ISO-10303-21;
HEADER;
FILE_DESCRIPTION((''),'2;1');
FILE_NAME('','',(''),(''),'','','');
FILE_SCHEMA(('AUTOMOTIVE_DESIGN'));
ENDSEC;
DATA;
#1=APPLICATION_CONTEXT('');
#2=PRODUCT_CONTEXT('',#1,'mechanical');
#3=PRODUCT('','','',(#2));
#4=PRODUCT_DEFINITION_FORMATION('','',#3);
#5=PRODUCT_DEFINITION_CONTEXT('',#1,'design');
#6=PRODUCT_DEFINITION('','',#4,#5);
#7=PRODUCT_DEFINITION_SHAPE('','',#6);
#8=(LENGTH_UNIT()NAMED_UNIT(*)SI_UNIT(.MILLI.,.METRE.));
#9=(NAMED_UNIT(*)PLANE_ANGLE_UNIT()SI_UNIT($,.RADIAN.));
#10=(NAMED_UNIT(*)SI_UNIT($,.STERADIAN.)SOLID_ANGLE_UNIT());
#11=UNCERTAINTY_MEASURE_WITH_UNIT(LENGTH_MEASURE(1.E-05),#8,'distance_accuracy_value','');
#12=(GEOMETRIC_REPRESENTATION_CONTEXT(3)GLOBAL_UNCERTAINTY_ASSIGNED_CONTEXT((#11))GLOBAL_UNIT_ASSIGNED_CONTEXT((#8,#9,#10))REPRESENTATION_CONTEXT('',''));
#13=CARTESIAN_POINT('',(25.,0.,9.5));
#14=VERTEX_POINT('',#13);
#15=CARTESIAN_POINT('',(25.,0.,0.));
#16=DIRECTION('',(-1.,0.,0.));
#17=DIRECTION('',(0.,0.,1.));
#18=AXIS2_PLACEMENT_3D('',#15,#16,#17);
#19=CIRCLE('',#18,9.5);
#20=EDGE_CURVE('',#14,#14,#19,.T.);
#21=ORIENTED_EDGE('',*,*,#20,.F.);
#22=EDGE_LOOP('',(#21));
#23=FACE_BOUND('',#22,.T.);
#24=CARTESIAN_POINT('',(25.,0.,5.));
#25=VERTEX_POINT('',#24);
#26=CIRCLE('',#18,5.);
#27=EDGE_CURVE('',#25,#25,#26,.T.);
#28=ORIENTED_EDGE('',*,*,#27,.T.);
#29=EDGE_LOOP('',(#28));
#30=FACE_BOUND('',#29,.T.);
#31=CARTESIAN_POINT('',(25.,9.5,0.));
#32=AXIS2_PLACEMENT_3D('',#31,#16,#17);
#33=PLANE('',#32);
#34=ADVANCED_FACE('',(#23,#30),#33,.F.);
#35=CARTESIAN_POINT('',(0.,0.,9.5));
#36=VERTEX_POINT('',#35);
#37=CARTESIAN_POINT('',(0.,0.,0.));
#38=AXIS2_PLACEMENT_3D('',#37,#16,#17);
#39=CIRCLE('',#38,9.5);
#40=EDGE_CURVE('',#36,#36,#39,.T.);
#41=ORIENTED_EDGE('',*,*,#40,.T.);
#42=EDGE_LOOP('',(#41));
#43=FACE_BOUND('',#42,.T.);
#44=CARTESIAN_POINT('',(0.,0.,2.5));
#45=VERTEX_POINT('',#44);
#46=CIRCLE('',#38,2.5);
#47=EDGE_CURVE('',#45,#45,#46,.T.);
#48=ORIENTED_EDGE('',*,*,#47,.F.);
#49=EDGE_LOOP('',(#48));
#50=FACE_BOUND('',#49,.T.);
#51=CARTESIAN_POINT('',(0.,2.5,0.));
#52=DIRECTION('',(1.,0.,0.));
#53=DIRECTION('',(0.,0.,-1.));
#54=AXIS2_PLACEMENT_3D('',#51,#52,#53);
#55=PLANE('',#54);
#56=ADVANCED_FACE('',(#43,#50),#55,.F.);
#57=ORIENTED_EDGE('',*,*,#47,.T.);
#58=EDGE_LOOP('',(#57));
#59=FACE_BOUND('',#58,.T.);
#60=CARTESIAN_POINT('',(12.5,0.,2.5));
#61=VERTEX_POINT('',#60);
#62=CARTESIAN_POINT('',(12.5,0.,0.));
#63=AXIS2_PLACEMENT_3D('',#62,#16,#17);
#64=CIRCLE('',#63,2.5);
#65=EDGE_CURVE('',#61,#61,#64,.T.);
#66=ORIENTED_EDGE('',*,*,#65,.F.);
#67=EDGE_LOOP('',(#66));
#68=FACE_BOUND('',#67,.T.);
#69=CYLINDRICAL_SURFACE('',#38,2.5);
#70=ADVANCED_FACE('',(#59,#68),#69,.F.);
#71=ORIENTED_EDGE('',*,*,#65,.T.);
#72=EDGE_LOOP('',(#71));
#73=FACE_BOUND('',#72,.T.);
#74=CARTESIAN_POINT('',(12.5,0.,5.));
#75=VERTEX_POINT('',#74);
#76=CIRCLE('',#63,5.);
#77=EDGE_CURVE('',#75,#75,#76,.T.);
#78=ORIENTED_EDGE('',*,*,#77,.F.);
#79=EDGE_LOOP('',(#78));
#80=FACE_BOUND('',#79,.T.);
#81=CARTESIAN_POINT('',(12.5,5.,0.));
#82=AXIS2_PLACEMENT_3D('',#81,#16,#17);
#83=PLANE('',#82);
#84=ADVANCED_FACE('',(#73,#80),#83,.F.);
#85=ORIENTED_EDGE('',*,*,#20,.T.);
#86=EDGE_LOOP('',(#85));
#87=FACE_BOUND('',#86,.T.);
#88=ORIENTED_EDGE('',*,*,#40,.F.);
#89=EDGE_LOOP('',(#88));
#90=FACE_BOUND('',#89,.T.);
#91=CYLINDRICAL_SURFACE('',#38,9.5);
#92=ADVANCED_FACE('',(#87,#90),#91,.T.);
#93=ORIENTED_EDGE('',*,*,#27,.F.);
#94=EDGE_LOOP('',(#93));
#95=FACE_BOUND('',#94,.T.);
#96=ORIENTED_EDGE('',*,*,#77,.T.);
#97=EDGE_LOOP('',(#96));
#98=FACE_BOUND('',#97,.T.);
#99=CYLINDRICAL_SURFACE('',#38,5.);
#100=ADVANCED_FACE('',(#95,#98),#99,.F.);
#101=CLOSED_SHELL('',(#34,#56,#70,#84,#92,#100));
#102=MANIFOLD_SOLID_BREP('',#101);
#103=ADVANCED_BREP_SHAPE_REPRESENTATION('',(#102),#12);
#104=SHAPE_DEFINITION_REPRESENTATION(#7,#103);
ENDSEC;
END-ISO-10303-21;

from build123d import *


with BuildPart() as part:
    # Skizze2 → Rotation1 (revolve)
    with BuildSketch(Plane.XY):
        Polygon((0, 2.5), (0, 9.5), (25, 9.5), (25, 5), (12.5, 5), (12.5, 2.5), align=None)
    revolve(axis=Axis((0, 0, 0), (1, 0, 0)))


solid = part.part
